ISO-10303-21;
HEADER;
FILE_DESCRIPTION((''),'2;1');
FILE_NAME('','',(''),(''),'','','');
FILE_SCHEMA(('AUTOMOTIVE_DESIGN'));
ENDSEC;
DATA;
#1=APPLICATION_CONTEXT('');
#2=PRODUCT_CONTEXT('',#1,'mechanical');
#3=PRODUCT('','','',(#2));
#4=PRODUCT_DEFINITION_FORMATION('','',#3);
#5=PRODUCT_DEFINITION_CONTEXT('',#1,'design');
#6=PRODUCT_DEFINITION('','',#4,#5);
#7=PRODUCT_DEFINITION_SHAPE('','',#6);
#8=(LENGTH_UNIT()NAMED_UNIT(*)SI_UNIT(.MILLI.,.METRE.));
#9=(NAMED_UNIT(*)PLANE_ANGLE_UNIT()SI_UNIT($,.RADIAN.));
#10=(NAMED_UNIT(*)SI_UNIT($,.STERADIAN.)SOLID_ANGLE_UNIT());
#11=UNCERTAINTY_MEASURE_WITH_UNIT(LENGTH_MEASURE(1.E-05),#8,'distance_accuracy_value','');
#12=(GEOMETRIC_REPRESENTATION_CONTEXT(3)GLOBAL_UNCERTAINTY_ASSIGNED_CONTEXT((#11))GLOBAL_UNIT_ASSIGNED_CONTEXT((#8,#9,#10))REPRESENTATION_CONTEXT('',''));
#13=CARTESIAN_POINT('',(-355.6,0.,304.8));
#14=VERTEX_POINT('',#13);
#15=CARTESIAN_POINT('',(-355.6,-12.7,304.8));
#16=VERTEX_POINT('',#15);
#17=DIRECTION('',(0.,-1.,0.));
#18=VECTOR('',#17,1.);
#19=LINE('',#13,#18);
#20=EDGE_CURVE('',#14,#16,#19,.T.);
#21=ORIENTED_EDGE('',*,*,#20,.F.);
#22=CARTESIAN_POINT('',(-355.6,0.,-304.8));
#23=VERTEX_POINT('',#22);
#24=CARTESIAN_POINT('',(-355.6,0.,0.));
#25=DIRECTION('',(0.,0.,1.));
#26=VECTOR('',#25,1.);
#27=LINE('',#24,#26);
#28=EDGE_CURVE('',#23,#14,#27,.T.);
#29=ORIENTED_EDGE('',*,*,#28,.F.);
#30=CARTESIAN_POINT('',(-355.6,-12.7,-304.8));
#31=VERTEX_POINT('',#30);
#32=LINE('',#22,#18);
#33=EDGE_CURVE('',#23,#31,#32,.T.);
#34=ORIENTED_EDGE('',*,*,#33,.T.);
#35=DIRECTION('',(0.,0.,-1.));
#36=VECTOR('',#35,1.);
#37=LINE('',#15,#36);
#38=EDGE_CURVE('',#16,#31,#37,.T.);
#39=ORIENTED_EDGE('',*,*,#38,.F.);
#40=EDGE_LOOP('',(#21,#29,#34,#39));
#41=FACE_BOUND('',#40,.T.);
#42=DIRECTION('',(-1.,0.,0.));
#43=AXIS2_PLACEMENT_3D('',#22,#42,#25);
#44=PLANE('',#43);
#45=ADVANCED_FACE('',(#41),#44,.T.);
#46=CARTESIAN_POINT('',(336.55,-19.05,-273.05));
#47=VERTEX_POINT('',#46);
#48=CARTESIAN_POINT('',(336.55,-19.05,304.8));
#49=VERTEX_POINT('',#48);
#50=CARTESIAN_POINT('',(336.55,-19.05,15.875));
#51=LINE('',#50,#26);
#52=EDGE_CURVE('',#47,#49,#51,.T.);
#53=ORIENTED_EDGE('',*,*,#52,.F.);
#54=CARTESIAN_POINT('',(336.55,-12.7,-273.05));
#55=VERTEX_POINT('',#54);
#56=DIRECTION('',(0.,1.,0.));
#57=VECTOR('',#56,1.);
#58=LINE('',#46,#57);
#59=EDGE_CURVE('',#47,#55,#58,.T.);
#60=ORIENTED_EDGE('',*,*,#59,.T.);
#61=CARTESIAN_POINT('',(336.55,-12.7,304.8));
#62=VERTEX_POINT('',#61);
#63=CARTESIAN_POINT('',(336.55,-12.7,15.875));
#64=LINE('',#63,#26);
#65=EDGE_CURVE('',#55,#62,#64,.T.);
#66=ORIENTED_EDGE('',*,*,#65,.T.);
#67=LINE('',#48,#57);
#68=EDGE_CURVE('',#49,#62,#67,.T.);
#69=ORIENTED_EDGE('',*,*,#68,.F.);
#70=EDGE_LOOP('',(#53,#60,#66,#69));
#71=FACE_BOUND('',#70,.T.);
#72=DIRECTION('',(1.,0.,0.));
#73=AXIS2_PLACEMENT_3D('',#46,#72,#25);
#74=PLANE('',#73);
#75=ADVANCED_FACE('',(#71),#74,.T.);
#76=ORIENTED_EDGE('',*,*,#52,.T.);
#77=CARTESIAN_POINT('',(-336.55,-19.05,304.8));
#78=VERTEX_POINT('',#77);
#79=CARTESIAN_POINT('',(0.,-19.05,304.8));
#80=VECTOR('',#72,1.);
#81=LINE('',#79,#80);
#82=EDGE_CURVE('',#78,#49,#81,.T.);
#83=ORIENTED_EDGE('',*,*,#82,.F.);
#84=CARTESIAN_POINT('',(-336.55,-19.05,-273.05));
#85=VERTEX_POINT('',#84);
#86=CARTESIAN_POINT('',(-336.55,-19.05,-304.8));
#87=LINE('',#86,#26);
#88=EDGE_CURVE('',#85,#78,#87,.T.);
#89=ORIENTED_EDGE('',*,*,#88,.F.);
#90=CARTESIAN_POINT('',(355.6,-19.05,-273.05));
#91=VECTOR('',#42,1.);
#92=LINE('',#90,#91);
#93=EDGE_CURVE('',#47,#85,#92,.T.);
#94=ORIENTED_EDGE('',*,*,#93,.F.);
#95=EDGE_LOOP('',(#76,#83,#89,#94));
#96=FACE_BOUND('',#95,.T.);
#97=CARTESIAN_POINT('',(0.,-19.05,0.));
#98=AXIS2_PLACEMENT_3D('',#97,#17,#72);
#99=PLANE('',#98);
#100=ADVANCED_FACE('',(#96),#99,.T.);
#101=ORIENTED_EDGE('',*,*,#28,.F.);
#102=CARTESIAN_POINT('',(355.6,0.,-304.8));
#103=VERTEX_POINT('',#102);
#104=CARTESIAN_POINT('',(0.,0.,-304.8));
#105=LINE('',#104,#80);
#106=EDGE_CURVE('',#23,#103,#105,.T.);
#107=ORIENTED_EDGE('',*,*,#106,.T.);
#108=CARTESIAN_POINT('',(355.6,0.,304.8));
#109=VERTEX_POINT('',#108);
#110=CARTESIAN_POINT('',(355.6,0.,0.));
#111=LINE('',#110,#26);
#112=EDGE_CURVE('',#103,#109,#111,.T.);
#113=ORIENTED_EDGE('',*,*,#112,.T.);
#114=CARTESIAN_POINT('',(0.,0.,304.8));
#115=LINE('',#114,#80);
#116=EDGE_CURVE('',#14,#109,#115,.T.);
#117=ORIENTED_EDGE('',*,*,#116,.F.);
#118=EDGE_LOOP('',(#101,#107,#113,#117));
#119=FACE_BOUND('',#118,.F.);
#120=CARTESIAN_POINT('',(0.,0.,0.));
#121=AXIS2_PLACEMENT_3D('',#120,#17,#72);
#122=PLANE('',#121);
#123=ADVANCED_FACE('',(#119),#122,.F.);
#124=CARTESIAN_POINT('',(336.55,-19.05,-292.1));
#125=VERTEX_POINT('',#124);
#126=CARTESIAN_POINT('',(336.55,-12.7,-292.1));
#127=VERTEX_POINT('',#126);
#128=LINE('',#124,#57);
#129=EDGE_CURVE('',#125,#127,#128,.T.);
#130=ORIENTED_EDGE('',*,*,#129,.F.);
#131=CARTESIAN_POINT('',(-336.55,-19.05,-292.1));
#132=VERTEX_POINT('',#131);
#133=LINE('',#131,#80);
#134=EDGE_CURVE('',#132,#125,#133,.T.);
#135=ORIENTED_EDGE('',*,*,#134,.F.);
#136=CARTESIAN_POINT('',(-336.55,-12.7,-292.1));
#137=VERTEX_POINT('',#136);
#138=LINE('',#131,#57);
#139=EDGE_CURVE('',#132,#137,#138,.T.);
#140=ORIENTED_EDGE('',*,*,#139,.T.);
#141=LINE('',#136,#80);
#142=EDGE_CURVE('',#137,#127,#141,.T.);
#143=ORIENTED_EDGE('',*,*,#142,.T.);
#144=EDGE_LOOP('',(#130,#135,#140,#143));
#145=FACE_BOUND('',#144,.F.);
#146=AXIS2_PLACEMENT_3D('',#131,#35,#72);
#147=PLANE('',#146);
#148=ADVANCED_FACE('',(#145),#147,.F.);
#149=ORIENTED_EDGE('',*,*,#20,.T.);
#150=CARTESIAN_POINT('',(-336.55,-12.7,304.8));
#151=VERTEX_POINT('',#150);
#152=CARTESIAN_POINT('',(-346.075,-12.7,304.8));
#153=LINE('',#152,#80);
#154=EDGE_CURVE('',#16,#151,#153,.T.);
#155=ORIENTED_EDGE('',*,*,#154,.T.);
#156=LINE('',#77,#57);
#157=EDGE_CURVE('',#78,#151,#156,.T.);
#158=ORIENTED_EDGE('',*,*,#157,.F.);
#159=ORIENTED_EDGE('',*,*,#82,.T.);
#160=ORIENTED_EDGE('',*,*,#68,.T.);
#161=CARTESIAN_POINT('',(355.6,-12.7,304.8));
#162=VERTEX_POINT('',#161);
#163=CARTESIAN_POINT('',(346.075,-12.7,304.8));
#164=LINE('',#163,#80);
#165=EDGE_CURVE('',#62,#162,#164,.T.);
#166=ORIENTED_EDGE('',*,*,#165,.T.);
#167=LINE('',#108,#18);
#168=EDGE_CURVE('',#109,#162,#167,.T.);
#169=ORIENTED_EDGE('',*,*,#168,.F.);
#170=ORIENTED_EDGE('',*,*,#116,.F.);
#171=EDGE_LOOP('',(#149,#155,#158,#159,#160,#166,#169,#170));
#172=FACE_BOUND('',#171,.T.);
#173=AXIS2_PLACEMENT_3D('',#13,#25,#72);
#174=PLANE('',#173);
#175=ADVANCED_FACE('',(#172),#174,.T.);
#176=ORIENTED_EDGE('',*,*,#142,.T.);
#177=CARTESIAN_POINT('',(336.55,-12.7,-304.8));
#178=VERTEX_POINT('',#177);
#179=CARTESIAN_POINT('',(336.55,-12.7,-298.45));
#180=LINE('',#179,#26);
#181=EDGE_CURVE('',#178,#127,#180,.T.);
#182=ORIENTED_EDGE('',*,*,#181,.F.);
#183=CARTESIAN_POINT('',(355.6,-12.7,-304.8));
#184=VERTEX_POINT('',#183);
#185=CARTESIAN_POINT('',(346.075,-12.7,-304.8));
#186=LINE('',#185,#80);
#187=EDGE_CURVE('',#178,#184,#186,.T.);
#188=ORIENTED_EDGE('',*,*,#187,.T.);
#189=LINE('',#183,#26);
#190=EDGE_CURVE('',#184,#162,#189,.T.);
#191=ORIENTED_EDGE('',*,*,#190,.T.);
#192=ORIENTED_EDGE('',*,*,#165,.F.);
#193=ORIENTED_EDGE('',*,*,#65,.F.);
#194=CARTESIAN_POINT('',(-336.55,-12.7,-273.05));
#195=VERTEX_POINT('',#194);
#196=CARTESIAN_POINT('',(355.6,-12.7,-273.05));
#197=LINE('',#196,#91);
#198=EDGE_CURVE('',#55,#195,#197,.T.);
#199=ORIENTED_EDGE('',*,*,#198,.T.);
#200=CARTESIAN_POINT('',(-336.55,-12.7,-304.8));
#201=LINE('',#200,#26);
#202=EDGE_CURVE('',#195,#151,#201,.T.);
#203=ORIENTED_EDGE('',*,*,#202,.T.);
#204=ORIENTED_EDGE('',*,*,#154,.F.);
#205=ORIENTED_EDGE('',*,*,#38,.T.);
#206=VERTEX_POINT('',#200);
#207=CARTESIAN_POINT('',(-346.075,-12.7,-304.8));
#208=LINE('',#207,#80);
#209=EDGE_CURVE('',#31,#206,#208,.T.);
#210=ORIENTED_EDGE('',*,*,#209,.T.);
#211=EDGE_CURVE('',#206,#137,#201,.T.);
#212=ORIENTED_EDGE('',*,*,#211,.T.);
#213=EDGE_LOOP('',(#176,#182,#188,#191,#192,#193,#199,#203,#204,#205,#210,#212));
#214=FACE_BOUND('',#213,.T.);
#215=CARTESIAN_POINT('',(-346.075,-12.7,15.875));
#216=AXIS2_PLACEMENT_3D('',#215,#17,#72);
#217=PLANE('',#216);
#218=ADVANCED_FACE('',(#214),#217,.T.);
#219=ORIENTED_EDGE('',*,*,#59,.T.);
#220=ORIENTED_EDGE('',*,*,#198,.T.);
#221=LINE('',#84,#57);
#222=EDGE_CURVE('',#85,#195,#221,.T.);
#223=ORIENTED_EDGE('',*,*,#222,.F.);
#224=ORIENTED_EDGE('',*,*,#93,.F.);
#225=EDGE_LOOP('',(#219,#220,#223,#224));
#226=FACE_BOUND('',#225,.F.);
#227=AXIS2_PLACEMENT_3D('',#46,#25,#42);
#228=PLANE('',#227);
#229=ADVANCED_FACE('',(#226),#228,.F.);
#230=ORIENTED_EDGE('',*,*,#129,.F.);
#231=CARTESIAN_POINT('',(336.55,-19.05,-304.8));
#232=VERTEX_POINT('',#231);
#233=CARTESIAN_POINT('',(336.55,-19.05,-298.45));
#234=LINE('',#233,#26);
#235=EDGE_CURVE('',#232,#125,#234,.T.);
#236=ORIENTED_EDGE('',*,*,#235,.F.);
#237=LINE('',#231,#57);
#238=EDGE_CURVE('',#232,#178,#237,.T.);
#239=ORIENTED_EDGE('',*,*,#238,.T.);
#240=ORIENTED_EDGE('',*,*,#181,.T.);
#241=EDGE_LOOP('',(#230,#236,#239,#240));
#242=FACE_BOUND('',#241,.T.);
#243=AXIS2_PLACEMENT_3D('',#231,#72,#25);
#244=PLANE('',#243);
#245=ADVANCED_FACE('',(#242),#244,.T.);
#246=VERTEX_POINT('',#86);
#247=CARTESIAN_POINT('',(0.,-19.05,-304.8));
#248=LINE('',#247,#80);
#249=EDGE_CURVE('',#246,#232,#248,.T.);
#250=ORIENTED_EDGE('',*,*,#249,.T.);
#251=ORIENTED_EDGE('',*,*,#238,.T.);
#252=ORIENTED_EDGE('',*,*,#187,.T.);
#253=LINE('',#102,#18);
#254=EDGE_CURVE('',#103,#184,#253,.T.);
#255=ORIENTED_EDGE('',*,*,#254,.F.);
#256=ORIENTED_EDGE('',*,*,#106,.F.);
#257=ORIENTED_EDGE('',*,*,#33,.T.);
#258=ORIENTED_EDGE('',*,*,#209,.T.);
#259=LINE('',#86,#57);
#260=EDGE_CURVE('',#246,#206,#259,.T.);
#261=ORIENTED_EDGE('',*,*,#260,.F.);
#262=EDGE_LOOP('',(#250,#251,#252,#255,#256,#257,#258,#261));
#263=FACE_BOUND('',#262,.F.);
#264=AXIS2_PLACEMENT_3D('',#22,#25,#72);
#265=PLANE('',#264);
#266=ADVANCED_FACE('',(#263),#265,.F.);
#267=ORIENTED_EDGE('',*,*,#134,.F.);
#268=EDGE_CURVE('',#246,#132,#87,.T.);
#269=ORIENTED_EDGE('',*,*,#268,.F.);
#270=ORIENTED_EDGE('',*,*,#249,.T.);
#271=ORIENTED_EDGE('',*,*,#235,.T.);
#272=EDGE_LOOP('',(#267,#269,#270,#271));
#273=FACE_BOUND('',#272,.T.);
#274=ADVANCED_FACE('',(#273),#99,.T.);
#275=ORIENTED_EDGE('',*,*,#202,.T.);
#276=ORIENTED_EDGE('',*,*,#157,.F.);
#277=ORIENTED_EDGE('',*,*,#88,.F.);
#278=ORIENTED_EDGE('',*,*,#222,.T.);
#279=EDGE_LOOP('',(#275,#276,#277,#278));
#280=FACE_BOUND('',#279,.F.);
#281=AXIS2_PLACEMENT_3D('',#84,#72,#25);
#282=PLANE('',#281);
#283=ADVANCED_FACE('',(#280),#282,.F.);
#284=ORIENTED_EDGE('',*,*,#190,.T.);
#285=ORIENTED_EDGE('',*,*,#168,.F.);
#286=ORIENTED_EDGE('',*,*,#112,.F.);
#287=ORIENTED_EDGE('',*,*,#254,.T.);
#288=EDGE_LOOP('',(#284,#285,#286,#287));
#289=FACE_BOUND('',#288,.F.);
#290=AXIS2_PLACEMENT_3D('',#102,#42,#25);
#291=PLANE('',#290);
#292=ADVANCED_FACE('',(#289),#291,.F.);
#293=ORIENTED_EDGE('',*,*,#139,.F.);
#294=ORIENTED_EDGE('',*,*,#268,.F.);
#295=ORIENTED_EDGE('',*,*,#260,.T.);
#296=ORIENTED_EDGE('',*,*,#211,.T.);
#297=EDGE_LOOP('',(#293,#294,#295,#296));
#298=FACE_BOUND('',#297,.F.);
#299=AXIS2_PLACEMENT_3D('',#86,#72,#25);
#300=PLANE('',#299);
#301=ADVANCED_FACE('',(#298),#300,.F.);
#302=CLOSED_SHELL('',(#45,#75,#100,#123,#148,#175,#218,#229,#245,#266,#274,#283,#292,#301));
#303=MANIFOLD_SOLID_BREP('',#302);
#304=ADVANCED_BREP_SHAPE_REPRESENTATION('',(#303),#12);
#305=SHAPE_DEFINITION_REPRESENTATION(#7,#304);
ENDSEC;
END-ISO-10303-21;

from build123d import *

# Parameters (mm, degrees)
F0_W     = 711.2
F0_H     = 609.6
F1_DEPTH = 19.05
F2_W     = 19.05
F2_H     = 577.85
F2_H_2   = 19.05
F2_H_3   = 12.7
F2_W_2   = 673.1
F3_DEPTH = 6.35


with BuildPart() as f1:
    # F0 (on Front) → F1 (new body)
    with BuildSketch(Plane.XZ):
        Rectangle(F0_W, F0_H)
    extrude(amount=F1_DEPTH)

    # F2 (on face) → F3 (cut)
    with BuildSketch(Plane.XZ.offset(19.05)):
        with Locations((-346.075, 15.875)):
            Rectangle(F2_W, F2_H)
        with Locations((-346.075, -282.575)):
            Rectangle(F2_W, F2_H_2)
        with Locations((-346.075, -298.45)):
            Rectangle(F2_W, F2_H_3)
        with Locations((0, -282.575)):
            Rectangle(F2_W_2, F2_H_2)
        with Locations((346.075, -282.575)):
            Rectangle(F2_W, F2_H_2)
        with Locations((346.075, 15.875)):
            Rectangle(F2_W, F2_H)
        with Locations((346.075, -298.45)):
            Rectangle(F2_W, F2_H_3)
    extrude(amount=-F3_DEPTH, mode=Mode.SUBTRACT)


solid = f1.part
